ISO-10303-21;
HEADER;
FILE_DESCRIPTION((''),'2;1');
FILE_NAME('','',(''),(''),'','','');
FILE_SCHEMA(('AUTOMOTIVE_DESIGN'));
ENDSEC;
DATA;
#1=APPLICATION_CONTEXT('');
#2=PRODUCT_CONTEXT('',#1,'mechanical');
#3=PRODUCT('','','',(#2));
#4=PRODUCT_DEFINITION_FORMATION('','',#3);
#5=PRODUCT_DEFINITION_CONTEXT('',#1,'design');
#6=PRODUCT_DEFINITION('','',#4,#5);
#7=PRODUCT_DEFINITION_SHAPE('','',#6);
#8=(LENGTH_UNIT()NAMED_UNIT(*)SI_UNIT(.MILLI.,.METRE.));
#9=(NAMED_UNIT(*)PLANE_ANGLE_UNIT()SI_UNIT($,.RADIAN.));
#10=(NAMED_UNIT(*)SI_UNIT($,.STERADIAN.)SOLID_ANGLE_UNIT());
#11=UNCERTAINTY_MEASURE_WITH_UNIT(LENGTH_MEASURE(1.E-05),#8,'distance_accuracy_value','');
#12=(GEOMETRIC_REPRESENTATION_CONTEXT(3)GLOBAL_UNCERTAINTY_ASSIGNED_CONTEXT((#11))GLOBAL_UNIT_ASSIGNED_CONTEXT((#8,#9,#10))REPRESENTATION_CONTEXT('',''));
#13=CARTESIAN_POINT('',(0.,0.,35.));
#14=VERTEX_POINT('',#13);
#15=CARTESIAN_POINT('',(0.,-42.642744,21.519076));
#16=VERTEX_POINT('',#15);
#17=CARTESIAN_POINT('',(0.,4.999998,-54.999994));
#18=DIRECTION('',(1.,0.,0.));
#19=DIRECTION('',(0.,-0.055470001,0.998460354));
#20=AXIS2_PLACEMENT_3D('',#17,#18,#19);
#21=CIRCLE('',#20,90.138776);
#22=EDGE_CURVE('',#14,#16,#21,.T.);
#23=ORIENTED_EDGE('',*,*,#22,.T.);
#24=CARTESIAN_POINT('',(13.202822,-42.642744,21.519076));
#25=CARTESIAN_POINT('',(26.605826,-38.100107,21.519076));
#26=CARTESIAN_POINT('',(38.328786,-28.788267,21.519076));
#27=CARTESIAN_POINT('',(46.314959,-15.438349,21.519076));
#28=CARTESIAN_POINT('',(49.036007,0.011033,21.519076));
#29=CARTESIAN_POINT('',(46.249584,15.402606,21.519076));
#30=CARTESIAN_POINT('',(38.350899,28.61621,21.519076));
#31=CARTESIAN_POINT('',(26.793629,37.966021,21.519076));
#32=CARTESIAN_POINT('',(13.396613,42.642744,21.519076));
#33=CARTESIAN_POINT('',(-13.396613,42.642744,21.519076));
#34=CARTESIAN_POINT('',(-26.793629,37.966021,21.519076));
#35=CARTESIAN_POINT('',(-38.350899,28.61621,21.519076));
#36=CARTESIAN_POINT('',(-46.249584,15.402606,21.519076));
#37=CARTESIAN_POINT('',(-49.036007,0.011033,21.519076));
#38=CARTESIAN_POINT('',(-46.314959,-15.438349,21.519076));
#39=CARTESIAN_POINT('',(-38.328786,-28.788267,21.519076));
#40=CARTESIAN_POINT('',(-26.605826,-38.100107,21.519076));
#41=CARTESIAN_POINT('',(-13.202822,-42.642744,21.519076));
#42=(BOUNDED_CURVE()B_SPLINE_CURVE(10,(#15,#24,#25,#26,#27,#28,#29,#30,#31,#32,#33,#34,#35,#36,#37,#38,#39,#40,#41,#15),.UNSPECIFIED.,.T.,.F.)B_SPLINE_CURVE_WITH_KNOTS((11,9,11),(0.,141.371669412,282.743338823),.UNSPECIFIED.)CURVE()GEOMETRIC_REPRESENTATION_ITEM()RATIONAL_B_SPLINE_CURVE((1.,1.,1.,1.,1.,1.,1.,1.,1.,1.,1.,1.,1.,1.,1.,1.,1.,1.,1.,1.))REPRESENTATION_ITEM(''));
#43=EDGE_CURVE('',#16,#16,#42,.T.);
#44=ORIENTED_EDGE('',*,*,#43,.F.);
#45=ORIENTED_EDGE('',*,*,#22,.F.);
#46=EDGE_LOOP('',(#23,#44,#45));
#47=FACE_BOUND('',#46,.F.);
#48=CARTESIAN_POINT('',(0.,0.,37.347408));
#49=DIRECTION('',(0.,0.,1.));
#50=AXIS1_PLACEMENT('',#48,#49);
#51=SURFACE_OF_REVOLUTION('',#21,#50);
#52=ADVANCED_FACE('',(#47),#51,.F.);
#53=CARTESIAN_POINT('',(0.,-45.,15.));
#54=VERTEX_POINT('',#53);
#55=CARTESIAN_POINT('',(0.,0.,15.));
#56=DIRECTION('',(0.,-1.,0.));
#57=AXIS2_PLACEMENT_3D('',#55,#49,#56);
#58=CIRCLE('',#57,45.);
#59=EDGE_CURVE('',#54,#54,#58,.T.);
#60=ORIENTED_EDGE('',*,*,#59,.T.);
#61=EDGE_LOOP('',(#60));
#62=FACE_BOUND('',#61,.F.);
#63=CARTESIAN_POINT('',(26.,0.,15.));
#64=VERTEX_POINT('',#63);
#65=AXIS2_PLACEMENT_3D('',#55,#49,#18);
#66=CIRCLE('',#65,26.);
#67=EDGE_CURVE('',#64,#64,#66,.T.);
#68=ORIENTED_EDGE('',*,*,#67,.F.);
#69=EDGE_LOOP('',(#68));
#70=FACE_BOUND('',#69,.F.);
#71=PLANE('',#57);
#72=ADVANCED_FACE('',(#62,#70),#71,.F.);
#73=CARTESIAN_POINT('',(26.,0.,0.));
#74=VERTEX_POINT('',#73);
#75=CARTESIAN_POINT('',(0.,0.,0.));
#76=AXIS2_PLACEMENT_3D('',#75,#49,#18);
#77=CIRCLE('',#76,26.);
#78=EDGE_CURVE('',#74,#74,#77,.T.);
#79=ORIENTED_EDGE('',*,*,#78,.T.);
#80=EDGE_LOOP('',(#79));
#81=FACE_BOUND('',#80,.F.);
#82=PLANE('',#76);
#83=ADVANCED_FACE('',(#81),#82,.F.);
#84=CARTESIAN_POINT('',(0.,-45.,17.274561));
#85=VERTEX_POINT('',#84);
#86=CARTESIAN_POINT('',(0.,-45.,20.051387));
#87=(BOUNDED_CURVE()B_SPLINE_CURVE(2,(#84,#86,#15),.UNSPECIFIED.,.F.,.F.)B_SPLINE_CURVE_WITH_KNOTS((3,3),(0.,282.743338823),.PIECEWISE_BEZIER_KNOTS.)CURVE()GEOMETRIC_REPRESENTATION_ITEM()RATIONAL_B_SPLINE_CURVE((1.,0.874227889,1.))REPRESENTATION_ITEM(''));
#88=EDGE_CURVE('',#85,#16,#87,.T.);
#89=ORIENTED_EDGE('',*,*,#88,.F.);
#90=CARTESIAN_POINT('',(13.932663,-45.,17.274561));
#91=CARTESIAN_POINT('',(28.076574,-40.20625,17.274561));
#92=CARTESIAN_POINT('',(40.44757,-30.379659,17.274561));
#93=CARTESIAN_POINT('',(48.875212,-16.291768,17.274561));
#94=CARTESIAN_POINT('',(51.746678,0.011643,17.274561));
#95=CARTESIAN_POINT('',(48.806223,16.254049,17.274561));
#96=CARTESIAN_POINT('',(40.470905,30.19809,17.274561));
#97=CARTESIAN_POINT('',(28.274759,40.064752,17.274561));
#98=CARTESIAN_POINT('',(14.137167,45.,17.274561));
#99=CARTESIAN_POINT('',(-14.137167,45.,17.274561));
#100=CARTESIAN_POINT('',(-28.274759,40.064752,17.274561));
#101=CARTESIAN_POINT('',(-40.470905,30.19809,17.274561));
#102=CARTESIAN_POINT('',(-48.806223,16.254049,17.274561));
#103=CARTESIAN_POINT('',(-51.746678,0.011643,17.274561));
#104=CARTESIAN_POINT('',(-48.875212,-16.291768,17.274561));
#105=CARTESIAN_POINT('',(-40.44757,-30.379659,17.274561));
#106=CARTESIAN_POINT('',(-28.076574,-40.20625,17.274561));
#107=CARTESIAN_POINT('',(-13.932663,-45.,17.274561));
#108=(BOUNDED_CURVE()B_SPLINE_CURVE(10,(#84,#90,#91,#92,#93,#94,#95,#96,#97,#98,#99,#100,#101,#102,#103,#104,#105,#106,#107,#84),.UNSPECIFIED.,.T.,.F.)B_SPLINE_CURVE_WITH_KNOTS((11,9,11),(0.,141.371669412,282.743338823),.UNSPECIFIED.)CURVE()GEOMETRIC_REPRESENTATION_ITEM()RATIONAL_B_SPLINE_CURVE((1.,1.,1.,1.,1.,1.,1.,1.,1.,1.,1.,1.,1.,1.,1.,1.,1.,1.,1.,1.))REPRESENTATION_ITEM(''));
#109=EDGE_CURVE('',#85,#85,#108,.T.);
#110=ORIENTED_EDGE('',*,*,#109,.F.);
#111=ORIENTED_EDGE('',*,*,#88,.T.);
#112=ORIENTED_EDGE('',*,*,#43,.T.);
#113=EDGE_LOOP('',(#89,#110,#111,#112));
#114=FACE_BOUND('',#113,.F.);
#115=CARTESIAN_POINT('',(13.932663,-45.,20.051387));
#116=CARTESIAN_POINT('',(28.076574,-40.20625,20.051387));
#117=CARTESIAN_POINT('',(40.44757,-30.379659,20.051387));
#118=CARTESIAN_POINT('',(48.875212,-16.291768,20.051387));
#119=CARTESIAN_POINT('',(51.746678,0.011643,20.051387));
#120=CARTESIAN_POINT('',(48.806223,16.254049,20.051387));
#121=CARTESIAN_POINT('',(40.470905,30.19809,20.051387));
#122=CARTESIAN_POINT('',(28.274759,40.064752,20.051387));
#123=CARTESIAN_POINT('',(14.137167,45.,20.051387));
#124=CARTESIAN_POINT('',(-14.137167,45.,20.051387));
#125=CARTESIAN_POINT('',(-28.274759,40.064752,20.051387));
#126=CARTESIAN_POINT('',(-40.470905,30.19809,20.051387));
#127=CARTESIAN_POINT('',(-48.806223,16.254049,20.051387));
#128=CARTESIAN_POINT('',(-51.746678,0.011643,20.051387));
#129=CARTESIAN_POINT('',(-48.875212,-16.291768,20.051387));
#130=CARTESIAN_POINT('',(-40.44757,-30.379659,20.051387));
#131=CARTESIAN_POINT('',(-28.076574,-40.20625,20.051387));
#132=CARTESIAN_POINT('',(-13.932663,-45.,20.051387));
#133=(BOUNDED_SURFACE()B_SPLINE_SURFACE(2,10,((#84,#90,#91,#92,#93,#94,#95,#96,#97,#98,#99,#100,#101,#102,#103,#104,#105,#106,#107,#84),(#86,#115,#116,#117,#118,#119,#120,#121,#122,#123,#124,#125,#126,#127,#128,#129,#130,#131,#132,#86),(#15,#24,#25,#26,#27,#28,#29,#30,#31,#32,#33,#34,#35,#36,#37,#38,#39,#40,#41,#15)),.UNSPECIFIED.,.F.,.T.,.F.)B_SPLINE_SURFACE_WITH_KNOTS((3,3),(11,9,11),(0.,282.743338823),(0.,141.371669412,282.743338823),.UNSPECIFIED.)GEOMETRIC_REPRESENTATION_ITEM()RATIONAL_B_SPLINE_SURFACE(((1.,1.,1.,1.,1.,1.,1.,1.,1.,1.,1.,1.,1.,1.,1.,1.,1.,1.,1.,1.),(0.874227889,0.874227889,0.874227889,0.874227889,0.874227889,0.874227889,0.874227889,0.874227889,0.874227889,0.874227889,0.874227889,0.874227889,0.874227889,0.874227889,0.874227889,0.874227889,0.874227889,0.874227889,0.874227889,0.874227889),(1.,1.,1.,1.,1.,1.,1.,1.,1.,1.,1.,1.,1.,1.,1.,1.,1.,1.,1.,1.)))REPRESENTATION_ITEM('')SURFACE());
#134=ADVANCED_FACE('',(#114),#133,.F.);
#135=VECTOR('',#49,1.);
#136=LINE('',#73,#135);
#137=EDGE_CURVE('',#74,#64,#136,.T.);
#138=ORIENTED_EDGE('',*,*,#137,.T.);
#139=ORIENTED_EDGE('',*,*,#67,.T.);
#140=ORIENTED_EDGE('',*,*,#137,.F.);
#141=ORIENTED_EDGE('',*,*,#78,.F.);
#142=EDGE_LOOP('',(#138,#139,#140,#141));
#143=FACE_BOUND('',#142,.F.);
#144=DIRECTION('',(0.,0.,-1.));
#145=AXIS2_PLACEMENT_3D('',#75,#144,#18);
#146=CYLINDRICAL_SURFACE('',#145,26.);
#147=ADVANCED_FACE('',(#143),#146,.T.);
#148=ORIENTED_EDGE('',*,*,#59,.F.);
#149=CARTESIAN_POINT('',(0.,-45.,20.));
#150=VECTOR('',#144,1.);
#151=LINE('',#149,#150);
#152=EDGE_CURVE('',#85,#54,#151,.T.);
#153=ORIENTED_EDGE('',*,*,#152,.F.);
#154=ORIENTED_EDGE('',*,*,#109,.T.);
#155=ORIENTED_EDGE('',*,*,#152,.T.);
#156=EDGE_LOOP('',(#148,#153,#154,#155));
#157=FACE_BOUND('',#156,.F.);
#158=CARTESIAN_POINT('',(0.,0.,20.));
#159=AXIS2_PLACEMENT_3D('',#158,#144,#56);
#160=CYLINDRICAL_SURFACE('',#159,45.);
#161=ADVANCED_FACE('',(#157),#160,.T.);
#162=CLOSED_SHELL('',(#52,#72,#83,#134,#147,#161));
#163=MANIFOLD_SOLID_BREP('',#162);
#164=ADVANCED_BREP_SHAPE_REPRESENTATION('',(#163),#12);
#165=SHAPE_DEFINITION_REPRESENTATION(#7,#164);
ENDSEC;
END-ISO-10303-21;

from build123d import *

# Parameters (mm, degrees)
F0_R     = 26
F1_DEPTH = 15
F4_R     = 5


with BuildPart() as f1:
    # F0 (on Top) → F1 (new body)
    with BuildSketch(Plane.XY):
        Circle(F0_R)
    extrude(amount=F1_DEPTH)

    # F2 (on Right) → F3 (revolve)
    with BuildSketch(Plane.YZ):
        with BuildLine():
            Line((-45, 15), (0, 15))
            Line((0, 15), (0, 35))
            ThreePointArc((0, 35), (-23.504386, 30.513157), (-45, 20))
            Line((-45, 20), (-45, 15))
        make_face()
    revolve(axis=Axis((0, 0, 37.347408), (0, 0, 1)))

    # F4
    f4_edges = [f1.edges().sort_by_distance(p)[0] for p in [
        (0, 45, 20),
    ]]
    fillet(f4_edges, radius=F4_R)


solid = f1.part
